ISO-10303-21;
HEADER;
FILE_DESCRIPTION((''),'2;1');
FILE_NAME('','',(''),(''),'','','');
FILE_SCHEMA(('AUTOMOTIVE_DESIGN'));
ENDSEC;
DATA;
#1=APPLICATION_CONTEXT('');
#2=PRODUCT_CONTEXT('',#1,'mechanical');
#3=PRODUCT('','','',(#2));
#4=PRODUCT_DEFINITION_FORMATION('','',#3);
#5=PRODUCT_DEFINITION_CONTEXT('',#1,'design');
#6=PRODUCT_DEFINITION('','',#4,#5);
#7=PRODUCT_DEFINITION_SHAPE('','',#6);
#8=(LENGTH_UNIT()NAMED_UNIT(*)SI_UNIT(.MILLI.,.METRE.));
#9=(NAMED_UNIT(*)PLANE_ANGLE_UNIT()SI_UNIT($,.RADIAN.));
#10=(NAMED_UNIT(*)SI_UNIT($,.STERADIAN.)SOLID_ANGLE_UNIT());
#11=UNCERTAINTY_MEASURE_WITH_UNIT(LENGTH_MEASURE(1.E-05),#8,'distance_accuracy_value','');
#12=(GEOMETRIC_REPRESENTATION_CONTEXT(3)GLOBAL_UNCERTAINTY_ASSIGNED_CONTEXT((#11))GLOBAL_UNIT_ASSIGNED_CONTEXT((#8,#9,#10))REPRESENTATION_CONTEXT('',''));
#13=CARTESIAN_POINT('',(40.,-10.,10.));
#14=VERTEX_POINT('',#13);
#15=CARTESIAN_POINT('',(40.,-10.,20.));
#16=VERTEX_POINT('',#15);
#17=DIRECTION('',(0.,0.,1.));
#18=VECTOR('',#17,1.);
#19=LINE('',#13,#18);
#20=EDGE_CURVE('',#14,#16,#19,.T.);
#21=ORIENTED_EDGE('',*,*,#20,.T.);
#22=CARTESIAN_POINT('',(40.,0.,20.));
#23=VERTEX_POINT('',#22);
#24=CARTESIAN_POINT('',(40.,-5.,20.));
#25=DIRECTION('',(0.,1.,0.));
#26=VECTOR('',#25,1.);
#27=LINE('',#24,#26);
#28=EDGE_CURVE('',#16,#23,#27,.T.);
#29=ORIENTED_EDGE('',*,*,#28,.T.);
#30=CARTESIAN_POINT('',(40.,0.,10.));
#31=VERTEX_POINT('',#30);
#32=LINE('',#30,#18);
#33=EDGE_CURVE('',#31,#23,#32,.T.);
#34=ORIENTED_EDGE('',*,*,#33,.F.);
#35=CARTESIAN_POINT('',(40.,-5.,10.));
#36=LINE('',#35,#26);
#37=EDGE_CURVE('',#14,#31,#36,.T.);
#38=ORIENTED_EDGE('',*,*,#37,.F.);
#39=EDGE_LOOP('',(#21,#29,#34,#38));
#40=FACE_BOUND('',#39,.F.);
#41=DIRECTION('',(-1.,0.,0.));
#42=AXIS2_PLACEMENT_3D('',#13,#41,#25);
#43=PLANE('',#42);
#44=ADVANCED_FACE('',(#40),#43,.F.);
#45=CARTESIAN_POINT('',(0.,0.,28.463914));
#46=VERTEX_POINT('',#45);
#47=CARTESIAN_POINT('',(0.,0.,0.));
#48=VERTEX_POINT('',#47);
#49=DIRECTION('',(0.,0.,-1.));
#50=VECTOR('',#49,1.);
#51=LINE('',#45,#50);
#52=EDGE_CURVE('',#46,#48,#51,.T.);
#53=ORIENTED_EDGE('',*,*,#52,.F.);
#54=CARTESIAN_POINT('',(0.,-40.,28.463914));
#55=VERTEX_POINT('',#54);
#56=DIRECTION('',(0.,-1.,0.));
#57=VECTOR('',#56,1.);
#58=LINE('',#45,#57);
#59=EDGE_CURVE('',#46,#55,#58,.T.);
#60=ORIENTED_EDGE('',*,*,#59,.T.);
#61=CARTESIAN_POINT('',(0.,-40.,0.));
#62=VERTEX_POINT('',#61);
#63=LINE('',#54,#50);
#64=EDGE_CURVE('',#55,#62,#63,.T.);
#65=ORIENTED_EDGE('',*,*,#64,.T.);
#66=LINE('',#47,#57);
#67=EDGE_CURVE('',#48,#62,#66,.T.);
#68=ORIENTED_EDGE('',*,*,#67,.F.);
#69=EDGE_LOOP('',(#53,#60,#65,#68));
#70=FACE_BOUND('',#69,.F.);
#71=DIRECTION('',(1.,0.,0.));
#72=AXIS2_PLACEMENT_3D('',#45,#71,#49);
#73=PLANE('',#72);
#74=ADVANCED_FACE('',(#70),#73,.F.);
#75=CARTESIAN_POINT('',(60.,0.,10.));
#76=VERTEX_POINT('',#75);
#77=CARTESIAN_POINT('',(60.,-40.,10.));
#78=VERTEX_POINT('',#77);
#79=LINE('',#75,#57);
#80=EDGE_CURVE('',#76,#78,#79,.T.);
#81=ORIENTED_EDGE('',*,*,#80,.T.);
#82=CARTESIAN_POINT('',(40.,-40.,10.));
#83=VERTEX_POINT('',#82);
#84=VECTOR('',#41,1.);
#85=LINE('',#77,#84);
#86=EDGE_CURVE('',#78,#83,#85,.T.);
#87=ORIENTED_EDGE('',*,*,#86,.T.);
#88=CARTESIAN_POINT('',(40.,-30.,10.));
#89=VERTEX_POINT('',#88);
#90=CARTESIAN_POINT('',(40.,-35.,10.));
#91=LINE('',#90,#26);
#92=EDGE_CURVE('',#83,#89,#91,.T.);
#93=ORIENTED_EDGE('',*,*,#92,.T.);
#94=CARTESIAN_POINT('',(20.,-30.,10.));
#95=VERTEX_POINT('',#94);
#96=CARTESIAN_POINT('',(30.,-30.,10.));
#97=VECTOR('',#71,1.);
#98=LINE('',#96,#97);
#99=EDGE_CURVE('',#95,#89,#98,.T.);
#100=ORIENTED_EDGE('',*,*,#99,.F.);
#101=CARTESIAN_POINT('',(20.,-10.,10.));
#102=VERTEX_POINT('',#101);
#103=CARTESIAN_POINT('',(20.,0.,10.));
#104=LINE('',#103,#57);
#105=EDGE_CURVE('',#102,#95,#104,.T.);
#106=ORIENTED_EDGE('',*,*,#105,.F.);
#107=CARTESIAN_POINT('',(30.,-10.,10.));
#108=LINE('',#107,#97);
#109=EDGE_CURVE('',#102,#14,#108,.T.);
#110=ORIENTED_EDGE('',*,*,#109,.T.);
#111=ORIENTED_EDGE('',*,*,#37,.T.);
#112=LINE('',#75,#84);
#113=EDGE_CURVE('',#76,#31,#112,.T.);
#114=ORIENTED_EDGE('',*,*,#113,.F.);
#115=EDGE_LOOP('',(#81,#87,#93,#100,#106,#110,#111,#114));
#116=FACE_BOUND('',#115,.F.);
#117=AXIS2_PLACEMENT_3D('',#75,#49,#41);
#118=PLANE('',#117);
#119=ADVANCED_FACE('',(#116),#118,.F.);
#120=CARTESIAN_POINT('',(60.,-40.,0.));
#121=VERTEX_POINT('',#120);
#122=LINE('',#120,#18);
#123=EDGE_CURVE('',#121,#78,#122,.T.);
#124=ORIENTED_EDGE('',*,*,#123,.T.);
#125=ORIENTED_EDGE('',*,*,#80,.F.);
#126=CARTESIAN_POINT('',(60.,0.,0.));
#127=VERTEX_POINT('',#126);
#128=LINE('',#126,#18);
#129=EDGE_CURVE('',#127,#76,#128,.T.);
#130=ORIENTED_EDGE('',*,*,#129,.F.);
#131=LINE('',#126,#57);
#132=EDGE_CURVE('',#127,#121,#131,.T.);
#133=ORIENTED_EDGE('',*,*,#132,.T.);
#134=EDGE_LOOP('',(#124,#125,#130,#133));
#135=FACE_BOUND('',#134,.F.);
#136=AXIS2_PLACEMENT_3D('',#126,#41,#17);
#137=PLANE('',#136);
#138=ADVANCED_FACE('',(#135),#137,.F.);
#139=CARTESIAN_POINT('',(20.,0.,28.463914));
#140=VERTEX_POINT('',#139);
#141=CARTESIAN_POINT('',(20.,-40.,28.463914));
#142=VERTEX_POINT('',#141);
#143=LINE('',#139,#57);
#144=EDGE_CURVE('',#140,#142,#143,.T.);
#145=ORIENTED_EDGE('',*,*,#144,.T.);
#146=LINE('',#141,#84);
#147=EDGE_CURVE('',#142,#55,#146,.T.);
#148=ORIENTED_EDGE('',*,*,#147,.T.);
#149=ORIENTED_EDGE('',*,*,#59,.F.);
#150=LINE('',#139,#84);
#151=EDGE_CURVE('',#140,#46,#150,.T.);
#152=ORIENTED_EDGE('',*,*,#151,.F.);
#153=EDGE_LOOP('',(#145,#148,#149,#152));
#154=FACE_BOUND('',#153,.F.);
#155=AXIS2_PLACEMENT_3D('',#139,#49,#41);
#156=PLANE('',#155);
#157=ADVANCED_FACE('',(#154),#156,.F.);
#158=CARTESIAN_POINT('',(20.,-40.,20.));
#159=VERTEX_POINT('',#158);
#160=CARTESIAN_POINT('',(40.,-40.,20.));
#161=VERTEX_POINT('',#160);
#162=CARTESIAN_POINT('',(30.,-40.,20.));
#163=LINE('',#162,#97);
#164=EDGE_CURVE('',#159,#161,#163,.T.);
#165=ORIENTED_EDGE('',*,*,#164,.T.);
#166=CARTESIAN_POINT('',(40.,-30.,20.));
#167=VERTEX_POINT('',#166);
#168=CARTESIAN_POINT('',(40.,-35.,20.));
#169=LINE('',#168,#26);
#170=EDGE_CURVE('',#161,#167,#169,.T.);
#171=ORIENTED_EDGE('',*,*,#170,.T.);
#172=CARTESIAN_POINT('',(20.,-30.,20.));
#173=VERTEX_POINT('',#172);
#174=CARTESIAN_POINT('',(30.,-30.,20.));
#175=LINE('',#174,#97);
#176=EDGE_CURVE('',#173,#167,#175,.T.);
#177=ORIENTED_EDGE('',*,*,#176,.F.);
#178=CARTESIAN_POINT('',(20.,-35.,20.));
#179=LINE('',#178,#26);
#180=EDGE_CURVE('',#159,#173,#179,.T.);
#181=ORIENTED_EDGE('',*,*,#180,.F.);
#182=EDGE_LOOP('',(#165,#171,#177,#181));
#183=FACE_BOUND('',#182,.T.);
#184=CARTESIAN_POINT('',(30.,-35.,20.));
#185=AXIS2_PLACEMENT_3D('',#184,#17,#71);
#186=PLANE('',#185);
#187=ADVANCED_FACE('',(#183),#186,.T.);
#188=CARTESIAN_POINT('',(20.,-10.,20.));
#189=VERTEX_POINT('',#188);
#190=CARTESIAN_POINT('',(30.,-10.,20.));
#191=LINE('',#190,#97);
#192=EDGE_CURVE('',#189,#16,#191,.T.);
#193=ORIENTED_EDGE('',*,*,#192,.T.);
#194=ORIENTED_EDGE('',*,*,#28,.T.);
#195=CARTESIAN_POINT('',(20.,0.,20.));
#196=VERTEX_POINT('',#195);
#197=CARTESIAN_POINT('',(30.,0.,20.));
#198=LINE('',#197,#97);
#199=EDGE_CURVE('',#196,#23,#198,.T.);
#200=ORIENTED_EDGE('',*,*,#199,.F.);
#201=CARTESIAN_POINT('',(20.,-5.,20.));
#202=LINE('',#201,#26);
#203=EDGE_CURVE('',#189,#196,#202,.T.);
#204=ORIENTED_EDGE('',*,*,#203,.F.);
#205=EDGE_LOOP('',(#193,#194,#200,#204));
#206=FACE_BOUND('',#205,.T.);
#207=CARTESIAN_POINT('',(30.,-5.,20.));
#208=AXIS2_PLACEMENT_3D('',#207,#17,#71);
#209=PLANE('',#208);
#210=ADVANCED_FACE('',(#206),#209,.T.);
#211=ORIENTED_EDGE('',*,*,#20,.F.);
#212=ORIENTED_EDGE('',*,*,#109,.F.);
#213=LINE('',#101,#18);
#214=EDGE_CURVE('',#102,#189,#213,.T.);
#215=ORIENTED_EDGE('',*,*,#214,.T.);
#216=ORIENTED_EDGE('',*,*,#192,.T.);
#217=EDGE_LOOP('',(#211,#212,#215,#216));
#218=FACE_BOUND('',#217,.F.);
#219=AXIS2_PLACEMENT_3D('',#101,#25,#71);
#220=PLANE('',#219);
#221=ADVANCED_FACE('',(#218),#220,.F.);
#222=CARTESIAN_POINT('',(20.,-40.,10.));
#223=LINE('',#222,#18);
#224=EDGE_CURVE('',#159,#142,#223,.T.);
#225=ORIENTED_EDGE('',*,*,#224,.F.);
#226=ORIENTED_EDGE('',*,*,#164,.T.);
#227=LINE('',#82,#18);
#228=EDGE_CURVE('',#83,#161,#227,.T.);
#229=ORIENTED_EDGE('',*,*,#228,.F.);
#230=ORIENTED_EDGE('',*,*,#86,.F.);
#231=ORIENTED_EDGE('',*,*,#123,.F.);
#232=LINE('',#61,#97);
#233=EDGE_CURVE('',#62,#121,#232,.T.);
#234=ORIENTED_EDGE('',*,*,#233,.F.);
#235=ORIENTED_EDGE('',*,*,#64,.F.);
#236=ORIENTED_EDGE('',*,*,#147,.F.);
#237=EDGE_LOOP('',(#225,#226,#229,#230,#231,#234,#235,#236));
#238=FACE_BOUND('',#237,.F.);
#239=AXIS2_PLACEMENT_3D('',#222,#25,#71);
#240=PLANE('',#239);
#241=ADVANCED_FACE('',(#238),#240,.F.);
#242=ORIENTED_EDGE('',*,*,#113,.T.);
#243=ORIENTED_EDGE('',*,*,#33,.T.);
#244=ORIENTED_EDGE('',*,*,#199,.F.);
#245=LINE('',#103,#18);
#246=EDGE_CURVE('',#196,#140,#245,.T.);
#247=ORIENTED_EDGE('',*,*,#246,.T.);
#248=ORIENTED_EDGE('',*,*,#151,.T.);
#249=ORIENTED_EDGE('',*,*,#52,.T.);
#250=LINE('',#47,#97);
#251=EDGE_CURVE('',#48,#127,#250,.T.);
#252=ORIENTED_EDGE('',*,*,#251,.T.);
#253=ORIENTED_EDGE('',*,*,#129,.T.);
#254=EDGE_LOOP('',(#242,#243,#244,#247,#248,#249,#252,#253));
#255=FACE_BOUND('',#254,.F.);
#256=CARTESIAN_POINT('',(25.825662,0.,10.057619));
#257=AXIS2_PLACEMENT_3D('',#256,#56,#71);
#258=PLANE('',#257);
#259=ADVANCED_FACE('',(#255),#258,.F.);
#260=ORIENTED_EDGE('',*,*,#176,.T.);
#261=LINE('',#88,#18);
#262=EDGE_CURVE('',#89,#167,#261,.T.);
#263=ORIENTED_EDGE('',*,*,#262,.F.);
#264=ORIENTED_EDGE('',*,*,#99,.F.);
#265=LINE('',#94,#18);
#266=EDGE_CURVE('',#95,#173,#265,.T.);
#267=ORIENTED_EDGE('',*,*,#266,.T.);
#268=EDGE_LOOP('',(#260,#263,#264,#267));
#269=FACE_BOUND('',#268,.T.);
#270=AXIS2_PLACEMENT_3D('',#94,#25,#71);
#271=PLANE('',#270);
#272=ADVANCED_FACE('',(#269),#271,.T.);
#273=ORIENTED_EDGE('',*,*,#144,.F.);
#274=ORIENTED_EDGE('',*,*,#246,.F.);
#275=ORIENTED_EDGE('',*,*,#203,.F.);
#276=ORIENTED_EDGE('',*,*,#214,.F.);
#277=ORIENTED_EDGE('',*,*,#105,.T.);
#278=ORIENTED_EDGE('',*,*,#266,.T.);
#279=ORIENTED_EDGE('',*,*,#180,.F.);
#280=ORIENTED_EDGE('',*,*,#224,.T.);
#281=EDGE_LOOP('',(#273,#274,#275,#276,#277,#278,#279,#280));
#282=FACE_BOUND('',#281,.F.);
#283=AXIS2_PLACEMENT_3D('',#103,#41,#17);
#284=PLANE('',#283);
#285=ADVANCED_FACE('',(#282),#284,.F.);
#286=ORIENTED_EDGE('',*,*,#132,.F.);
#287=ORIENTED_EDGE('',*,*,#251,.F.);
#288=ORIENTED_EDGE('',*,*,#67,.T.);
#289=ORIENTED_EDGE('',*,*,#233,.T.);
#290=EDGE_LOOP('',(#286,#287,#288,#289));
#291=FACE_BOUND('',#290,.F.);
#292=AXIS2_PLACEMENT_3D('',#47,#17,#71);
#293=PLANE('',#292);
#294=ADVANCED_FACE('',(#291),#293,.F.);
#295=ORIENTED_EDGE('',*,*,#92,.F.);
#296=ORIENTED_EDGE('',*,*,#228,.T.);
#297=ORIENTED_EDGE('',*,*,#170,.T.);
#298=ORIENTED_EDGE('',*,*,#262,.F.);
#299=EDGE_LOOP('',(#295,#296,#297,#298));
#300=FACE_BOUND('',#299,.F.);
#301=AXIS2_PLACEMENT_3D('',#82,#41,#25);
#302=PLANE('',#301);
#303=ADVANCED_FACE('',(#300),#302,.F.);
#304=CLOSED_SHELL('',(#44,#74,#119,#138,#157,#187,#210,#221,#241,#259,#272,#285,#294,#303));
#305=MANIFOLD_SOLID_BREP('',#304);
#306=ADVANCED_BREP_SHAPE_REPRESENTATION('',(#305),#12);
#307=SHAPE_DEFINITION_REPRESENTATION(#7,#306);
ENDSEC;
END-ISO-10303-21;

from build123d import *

# Parameters (mm, degrees)
F1_DEPTH = 40
F2_W     = 20
F2_H     = 10
F3_DEPTH = 10
F4_W     = 20
F4_H     = 10
F5_DEPTH = 10


with BuildPart() as f1:
    # F0 (on Front) → F1 (new body)
    with BuildSketch(Plane.XZ):
        Polygon((0, 28.463914), (0, 0), (60, 0), (60, 10), (20, 10), (20, 28.463914), align=None)
    extrude(amount=F1_DEPTH)

    # F2 (on face) → F3 (join)
    with BuildSketch(Plane.XY.offset(10)):
        with Locations((30, -35)):
            Rectangle(F2_W, F2_H)
    extrude(amount=F3_DEPTH)

    # F4 (on face) → F5 (join)
    with BuildSketch(Plane.XY.offset(10)):
        with Locations((30, -5)):
            Rectangle(F4_W, F4_H)
    extrude(amount=F5_DEPTH)


solid = f1.part
